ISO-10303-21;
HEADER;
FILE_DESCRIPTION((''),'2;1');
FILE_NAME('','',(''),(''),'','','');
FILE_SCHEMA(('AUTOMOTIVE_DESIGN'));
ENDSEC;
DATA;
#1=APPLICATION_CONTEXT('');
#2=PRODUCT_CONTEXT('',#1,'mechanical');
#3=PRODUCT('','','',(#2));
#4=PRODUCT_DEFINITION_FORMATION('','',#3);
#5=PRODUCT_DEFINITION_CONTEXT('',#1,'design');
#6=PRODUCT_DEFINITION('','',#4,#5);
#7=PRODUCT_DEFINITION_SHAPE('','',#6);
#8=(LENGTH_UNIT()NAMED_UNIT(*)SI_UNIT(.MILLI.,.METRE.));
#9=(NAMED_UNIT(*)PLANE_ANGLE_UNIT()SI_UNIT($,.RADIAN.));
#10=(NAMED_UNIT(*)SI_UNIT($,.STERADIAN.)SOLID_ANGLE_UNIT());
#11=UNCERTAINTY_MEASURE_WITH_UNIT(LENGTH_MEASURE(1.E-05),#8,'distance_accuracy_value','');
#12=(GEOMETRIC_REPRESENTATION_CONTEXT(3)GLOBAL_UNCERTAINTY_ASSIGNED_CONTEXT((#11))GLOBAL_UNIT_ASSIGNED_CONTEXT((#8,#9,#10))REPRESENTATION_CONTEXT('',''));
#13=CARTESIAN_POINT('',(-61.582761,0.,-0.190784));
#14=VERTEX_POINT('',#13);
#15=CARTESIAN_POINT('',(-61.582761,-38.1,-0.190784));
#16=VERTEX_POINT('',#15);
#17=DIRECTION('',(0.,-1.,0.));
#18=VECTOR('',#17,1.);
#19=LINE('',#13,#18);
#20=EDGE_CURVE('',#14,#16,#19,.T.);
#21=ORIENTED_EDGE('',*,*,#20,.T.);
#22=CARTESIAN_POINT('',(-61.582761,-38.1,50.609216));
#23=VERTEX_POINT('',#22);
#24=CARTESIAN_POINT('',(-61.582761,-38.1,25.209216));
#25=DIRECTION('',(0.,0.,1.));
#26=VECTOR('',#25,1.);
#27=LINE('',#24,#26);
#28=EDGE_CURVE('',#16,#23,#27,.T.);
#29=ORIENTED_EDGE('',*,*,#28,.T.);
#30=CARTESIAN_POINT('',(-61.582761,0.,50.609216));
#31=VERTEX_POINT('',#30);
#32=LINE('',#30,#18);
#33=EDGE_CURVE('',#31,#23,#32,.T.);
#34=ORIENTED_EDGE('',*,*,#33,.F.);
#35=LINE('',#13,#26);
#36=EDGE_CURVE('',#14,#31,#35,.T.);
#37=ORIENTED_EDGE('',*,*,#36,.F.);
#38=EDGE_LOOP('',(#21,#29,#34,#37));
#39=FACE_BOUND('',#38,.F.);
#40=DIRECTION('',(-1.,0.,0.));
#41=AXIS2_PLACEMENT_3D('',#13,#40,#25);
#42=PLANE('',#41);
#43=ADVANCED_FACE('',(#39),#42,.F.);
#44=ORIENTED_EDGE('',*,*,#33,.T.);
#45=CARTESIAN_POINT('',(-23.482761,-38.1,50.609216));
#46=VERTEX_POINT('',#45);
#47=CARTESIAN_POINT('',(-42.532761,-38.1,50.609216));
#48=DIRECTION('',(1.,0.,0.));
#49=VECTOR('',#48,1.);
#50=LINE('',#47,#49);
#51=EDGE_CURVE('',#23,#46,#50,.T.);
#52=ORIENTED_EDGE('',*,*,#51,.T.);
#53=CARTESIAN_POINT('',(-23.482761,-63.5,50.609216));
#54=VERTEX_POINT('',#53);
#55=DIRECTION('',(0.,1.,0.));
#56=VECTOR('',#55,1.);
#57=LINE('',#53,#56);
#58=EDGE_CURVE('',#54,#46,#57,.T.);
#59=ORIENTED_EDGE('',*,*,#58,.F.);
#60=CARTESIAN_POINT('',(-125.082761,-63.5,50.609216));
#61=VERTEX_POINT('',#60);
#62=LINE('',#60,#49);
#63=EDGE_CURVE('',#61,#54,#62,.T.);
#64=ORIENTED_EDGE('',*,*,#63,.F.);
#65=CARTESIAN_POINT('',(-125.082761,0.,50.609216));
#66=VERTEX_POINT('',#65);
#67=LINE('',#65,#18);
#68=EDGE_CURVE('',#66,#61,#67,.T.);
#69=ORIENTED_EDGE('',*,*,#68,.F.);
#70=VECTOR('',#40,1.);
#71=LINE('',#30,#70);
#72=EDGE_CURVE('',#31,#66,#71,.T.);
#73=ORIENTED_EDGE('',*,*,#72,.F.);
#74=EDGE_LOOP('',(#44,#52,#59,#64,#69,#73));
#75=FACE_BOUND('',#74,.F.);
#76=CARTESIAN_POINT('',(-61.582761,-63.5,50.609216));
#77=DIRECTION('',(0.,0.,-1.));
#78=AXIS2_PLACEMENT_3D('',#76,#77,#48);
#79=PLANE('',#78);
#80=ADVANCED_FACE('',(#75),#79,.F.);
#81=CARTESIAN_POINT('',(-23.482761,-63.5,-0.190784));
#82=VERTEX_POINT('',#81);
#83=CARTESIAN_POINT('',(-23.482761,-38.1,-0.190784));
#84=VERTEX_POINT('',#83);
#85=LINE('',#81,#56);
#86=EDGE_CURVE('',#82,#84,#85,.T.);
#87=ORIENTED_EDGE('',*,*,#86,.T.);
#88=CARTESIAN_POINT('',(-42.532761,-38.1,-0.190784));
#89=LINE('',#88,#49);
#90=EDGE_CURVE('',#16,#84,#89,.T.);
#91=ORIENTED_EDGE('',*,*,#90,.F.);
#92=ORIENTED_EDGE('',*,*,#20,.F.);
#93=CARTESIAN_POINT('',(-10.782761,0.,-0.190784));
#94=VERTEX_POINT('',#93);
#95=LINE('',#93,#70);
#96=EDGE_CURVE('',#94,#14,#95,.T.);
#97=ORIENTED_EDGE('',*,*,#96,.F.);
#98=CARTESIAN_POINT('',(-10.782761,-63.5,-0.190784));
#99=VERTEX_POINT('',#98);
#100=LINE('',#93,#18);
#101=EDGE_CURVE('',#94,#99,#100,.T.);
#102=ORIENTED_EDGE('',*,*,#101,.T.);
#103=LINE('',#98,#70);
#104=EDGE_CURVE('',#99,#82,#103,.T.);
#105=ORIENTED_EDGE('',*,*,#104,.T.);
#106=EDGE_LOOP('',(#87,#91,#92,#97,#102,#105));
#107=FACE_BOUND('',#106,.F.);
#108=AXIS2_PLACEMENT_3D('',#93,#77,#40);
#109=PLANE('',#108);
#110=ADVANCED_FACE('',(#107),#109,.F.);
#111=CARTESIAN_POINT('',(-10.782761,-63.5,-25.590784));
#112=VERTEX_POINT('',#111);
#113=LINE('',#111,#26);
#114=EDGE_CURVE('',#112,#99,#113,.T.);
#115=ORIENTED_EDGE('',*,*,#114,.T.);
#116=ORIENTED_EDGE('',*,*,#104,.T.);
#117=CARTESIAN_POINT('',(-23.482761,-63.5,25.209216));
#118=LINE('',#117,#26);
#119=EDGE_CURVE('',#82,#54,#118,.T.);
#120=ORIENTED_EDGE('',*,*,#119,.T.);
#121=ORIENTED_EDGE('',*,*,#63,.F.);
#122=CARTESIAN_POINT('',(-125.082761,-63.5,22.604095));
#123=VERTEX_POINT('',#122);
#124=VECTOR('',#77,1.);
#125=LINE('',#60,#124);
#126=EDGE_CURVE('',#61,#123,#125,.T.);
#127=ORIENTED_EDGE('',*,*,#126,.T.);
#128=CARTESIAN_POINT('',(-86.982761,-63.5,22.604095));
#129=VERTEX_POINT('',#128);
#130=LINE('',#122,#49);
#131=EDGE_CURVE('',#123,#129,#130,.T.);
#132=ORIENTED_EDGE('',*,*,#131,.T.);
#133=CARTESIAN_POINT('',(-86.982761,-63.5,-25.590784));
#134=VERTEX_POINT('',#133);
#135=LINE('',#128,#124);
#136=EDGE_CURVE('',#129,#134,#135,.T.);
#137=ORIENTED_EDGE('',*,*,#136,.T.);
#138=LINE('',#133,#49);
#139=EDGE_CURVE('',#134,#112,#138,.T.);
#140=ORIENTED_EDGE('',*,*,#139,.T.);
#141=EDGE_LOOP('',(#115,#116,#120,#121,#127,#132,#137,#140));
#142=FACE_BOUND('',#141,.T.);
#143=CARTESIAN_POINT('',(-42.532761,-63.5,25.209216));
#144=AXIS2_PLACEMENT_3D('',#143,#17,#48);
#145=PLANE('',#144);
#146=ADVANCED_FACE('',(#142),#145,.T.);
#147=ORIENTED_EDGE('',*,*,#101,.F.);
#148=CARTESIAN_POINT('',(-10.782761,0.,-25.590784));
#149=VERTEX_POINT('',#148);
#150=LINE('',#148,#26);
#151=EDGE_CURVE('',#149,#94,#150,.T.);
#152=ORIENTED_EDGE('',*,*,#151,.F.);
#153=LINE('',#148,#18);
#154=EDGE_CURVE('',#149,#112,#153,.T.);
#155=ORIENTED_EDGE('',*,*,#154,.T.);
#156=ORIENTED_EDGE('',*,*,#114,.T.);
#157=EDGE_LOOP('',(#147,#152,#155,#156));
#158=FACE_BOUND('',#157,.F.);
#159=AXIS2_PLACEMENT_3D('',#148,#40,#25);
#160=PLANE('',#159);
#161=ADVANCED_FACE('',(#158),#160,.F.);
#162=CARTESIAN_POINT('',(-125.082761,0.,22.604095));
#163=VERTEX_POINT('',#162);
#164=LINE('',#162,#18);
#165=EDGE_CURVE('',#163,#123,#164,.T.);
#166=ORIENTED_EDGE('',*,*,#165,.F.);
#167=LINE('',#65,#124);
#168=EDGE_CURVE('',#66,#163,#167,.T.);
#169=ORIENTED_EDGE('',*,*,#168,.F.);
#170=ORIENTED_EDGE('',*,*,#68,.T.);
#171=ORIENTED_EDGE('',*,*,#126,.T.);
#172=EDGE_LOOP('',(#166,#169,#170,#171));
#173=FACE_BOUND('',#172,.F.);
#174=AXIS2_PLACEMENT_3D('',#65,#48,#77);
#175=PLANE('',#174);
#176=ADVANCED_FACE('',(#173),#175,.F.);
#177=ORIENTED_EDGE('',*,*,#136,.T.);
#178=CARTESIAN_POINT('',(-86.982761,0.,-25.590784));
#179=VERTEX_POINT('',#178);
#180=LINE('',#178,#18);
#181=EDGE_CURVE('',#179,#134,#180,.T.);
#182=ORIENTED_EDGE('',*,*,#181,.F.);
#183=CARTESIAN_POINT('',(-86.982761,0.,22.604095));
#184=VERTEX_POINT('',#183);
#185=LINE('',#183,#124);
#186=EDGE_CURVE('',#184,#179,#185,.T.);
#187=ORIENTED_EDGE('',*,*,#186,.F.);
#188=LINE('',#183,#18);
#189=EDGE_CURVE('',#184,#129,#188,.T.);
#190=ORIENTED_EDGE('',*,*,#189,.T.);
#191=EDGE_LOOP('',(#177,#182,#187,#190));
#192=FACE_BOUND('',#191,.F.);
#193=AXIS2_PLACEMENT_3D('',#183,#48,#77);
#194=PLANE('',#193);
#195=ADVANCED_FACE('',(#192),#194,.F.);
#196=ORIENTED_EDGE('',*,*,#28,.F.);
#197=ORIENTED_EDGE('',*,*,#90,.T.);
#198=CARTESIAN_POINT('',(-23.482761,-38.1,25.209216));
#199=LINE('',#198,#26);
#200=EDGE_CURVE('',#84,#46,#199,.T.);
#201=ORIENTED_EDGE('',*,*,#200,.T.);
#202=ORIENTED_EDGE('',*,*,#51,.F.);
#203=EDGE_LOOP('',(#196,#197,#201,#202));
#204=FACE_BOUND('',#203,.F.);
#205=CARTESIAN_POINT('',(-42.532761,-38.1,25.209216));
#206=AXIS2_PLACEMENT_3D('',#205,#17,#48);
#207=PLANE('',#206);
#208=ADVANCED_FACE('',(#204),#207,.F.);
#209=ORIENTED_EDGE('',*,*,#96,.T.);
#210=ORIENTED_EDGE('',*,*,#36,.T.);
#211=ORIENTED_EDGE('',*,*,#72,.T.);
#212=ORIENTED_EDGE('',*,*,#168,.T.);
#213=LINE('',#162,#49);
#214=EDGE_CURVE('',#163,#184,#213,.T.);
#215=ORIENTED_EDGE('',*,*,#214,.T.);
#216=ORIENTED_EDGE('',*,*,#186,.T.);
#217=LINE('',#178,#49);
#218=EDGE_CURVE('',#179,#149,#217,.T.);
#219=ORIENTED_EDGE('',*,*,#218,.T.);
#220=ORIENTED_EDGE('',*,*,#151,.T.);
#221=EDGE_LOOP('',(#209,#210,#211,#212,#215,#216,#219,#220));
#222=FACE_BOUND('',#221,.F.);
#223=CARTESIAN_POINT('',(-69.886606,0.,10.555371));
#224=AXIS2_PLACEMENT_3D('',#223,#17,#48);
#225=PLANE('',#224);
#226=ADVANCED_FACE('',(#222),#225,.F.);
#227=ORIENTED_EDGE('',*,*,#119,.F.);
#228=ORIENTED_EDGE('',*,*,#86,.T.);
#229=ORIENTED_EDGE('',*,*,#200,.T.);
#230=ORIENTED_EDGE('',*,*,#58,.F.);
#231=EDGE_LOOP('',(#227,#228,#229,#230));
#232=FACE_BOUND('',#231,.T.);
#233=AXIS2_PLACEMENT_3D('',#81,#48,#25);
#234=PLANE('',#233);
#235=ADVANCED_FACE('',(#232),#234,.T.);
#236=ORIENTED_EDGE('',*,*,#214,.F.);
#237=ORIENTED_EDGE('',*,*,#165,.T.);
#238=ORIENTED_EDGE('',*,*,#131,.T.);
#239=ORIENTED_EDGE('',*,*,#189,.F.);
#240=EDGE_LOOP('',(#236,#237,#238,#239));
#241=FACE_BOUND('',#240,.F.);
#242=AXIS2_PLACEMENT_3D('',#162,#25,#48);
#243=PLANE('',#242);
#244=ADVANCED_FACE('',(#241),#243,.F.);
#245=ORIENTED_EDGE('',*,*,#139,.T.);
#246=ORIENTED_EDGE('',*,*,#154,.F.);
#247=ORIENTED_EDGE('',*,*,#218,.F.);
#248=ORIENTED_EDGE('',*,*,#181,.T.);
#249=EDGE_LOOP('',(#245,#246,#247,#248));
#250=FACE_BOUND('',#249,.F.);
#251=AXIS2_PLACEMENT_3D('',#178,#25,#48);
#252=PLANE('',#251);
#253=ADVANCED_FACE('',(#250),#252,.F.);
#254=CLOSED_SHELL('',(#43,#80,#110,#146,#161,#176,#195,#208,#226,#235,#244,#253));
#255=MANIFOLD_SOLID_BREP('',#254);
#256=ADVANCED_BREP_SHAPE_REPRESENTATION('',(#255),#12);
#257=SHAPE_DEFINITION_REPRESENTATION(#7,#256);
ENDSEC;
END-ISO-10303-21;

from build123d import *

# Parameters (mm, degrees)
F1_DEPTH = 63.5
F2_W     = 38.1
F2_H     = 50.8
F3_DEPTH = 25.4


with BuildPart() as f1:
    # F0 (on Front) → F1 (new body)
    with BuildSketch(Plane.XZ):
        Polygon((-86.982761, -25.590784), (-10.782761, -25.590784), (-10.782761, -0.190784), (-61.582761, -0.190784), (-61.582761, 50.609216), (-86.982761, 50.609216), (-125.082761, 50.609216), (-125.082761, 22.604095), (-86.982761, 22.604095), align=None)
    extrude(amount=F1_DEPTH)

    # F2 (on face) → F3 (join)
    with BuildSketch(Plane.XZ.offset(63.5)):
        with Locations((-42.532761, 25.209216)):
            Rectangle(F2_W, F2_H)
    extrude(amount=-F3_DEPTH)


solid = f1.part
